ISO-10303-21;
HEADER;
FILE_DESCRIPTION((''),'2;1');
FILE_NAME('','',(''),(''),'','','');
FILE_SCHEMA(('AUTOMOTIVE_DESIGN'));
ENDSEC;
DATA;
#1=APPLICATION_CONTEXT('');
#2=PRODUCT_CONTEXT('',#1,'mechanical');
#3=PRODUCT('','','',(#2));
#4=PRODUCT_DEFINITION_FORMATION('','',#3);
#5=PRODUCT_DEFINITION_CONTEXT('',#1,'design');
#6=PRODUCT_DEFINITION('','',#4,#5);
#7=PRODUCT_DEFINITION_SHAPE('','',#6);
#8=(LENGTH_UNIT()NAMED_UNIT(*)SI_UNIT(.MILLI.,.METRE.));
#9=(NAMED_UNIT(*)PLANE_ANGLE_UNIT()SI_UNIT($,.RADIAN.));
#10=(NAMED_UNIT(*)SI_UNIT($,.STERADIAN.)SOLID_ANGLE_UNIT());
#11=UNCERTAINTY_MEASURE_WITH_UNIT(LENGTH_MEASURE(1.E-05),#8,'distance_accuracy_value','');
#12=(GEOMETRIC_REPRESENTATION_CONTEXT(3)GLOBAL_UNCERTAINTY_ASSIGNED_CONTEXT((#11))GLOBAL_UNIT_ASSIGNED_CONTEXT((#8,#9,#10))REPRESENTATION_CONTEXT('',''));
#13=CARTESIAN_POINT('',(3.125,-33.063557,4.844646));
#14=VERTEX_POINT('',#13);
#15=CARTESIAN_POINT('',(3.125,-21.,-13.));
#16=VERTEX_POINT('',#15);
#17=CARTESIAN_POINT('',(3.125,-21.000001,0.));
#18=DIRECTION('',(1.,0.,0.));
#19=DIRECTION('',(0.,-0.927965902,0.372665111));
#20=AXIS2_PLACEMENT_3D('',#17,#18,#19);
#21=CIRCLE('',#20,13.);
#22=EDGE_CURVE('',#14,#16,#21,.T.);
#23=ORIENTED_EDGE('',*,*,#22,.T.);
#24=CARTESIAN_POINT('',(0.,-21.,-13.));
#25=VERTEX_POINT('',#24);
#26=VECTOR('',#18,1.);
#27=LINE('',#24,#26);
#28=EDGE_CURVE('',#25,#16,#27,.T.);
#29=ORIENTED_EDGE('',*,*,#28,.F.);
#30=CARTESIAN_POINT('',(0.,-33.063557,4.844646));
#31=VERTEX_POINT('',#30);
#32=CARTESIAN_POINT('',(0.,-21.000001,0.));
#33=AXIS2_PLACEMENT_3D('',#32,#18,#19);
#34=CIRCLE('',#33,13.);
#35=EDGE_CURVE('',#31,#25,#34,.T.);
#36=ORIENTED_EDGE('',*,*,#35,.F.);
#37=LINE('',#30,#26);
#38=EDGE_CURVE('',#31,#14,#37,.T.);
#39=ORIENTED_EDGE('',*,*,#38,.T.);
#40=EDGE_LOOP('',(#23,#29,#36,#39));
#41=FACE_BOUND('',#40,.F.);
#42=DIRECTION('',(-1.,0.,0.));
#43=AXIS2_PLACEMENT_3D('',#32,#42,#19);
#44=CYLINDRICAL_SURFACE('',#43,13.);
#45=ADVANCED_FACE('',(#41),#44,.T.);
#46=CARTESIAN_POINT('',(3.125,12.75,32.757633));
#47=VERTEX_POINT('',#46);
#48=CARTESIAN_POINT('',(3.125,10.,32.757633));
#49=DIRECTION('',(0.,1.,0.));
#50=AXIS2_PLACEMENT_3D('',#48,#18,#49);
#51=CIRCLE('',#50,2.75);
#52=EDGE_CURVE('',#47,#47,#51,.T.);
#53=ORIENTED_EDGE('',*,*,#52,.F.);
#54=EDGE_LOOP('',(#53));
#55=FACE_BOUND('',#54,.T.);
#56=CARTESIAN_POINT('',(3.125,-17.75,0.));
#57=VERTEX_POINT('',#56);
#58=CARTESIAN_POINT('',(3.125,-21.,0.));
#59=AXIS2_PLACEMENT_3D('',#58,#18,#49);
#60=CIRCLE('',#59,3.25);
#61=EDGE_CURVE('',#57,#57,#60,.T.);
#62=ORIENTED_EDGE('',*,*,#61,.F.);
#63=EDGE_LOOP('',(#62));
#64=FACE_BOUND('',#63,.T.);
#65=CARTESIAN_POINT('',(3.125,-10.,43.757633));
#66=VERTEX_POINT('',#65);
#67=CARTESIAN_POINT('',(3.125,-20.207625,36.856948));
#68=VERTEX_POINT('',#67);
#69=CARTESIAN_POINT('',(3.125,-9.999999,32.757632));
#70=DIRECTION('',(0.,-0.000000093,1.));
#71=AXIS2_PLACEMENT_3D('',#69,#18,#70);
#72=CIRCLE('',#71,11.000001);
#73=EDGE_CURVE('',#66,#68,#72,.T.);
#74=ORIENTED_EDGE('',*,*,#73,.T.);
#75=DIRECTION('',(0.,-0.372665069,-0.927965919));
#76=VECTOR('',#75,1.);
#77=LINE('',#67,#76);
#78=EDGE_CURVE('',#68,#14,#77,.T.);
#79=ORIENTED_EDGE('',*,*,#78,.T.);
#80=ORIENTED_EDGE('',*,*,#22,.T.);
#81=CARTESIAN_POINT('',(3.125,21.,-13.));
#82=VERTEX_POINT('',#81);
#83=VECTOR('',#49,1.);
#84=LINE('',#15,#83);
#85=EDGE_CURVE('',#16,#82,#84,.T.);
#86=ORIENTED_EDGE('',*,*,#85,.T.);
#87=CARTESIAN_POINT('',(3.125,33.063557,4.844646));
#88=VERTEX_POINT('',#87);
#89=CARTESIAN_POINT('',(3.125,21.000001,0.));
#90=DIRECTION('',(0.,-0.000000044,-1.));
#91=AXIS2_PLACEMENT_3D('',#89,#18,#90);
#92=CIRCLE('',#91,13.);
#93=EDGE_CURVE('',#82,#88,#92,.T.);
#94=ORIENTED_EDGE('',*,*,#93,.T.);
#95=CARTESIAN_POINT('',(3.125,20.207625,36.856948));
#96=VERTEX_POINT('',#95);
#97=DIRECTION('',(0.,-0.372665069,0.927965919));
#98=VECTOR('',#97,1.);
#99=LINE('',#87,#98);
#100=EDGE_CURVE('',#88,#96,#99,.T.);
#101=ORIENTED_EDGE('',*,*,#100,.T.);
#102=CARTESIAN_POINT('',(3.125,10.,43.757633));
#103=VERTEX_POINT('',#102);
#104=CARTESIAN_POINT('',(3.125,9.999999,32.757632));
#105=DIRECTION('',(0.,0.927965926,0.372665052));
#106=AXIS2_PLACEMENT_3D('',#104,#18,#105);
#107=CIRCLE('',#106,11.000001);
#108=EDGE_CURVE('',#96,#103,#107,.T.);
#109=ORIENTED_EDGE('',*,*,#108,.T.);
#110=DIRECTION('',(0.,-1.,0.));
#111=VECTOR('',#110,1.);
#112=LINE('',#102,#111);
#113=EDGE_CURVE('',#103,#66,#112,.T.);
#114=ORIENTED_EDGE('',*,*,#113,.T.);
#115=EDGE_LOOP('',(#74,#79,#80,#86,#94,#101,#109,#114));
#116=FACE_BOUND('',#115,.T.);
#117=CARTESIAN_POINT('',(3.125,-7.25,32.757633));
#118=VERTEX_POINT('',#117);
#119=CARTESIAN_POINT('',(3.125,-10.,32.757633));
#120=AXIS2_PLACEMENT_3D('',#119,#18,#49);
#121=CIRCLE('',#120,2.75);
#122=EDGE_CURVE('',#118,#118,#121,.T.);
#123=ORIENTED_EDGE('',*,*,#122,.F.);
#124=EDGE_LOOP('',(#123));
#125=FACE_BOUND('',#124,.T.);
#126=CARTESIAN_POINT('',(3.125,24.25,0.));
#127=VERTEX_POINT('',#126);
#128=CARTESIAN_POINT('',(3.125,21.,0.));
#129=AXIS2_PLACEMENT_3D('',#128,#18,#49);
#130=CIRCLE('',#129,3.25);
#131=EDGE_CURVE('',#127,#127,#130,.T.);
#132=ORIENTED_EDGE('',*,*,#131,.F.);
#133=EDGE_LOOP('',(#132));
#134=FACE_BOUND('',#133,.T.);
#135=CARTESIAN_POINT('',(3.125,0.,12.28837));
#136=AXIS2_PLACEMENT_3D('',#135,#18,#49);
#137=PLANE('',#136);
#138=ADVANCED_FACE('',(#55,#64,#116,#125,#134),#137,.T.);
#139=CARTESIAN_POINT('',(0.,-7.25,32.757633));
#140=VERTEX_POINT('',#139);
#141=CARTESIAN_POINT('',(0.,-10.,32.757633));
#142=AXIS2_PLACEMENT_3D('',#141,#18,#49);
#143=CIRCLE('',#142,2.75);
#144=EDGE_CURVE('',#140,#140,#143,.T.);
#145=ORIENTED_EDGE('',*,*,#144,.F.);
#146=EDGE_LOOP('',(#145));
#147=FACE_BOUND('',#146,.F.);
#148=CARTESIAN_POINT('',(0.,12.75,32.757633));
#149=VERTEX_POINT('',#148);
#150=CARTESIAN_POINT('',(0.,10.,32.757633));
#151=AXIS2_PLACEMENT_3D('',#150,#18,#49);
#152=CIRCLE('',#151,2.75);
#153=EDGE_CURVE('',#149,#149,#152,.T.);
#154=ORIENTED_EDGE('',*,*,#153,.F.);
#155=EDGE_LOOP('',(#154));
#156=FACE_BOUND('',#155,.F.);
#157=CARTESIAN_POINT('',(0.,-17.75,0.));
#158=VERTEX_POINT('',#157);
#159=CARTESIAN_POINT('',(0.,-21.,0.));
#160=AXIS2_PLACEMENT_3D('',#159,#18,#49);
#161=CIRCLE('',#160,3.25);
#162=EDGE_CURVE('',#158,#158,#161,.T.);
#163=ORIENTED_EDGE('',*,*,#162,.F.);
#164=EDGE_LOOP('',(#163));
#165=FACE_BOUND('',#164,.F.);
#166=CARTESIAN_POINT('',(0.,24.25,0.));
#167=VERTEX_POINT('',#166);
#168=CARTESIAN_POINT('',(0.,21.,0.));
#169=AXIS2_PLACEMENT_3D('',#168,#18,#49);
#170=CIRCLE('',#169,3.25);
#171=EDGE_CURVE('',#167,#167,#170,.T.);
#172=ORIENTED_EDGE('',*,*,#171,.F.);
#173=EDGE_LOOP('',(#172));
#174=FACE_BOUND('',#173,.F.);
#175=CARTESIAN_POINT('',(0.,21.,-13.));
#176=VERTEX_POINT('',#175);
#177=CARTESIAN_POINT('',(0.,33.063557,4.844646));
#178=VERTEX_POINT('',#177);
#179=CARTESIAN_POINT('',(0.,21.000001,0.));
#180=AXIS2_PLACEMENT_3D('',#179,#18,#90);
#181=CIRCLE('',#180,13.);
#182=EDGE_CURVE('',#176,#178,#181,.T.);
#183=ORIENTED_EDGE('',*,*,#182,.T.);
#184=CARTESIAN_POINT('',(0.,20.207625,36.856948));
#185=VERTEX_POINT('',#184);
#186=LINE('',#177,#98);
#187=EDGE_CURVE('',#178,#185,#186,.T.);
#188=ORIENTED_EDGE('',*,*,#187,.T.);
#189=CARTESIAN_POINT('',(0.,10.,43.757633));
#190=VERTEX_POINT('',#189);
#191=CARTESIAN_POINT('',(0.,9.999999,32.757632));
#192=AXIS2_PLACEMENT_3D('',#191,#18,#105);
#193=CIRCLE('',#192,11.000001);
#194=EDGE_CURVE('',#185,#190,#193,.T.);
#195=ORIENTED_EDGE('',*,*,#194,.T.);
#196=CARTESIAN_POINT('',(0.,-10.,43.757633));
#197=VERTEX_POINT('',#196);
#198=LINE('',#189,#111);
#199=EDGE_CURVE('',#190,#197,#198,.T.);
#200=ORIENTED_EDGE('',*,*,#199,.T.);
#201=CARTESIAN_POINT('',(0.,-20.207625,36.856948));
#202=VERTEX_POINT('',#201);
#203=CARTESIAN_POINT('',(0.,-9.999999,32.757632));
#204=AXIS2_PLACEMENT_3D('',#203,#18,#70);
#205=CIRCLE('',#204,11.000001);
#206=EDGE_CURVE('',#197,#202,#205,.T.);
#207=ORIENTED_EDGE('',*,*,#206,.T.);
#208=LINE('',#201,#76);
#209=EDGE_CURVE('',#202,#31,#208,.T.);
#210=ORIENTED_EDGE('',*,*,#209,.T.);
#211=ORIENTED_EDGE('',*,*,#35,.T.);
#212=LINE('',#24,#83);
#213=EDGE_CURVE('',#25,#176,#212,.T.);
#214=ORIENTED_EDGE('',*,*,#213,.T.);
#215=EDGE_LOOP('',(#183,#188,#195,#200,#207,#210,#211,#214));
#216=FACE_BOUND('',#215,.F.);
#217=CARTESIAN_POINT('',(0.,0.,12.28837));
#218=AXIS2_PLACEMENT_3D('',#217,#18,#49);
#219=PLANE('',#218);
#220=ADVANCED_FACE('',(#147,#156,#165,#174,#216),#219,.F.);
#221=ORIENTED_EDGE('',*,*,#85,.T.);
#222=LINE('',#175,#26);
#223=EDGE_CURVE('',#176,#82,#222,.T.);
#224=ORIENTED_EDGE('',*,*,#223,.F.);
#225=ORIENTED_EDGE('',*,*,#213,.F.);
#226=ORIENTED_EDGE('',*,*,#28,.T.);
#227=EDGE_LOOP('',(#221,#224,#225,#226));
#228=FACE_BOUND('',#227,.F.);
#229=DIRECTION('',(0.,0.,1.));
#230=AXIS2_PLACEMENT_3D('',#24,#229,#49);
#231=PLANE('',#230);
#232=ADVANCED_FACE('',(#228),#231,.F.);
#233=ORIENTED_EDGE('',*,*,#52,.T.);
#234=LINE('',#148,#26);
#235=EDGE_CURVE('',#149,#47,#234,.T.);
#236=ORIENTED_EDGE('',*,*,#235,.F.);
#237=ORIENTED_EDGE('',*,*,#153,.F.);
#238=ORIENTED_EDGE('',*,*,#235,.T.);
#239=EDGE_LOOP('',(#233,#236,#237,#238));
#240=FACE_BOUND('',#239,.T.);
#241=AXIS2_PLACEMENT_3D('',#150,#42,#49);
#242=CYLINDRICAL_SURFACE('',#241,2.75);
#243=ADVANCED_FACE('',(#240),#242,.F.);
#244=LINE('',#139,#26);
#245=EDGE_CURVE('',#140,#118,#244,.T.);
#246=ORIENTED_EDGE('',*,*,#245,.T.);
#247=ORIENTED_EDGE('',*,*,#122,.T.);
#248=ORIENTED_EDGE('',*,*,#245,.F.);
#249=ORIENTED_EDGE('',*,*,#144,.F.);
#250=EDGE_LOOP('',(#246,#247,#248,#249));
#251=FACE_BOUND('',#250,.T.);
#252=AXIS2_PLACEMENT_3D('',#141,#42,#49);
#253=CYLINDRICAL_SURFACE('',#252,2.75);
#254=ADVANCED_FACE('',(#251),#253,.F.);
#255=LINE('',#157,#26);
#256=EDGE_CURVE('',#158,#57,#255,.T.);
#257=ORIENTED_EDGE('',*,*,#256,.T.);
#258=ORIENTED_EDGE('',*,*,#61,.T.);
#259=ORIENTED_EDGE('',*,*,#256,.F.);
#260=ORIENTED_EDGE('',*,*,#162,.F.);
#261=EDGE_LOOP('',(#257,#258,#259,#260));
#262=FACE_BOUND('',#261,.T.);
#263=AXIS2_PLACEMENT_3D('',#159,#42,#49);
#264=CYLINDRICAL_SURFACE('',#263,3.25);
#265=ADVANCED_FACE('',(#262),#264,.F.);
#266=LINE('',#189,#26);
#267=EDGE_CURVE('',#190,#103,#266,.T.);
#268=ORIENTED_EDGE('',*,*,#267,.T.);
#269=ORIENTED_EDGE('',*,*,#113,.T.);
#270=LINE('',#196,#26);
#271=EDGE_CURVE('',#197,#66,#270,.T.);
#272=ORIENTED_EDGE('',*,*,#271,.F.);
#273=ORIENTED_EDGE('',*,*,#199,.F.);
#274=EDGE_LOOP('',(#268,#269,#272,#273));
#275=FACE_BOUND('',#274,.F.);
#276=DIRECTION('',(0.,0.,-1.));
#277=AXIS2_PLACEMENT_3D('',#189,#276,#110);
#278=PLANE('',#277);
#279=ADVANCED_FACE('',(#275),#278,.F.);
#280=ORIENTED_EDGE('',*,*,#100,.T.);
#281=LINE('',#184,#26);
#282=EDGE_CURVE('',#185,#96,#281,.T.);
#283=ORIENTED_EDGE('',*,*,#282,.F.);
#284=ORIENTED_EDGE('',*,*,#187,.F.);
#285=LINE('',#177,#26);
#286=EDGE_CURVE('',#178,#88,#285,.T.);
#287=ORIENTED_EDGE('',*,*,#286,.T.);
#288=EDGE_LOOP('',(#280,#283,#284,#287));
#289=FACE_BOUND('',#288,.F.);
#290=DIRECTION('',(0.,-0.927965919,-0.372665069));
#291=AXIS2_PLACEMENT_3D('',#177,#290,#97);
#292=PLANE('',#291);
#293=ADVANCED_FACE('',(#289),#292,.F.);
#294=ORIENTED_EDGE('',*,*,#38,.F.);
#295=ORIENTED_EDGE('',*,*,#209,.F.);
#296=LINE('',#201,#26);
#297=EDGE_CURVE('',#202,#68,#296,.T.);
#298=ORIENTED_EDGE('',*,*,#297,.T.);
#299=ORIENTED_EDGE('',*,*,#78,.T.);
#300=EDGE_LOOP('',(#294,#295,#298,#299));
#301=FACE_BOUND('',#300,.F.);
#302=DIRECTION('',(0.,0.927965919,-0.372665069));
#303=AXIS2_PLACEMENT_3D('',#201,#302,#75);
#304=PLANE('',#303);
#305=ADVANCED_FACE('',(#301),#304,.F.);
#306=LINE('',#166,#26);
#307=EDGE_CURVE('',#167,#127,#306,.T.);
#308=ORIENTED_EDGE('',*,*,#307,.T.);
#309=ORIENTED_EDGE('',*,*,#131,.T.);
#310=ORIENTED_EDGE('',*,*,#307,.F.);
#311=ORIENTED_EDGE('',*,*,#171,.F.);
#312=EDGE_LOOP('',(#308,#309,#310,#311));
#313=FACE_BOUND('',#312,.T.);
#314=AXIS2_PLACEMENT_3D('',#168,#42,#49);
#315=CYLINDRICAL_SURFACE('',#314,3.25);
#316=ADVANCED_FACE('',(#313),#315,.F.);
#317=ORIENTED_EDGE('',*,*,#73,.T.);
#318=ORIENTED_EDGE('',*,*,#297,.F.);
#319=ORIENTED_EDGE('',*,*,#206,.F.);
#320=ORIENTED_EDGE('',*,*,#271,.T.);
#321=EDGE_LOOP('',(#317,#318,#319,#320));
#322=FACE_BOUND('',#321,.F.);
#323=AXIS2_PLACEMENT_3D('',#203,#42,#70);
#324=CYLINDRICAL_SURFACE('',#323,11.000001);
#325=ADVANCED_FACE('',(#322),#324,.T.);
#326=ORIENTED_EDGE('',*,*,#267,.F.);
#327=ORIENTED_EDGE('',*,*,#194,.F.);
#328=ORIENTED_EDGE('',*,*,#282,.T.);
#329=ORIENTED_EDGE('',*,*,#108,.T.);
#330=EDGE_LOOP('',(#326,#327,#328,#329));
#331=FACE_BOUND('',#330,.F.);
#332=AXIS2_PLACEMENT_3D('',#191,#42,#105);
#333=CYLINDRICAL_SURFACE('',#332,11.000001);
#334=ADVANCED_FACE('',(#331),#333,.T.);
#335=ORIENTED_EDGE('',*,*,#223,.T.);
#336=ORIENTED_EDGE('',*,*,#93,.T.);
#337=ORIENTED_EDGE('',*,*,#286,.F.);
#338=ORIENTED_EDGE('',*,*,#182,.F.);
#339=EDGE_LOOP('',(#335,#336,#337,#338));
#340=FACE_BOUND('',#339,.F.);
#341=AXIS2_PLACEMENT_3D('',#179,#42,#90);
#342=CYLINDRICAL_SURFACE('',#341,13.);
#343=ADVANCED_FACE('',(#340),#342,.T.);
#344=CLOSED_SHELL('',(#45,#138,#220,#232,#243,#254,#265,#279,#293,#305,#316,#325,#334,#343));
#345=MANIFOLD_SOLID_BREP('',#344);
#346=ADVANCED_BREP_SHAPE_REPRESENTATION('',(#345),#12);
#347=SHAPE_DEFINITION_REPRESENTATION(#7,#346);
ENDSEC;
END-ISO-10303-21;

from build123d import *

# Parameters (mm, degrees)
F1_R     = 3.25
F1_R_2   = 2.75
F2_DEPTH = 3.125


with BuildPart() as f2:
    # F1 (on Right) → F2 (new body)
    with BuildSketch(Plane.YZ):
        with BuildLine():
            Line((10, 43.757633), (-10, 43.757633))
            ThreePointArc((-10, 43.757633), (-16.160663, 41.870603), (-20.207625, 36.856948))
            Line((-20.207625, 36.856948), (-33.063557, 4.844646))
            ThreePointArc((-33.063557, 4.844646), (-31.769875, -7.280783), (-21, -13))
            Line((-21, -13), (21, -13))
            ThreePointArc((21, -13), (31.769875, -7.280783), (33.063557, 4.844646))
            Line((33.063557, 4.844646), (20.207625, 36.856948))
            ThreePointArc((20.207625, 36.856948), (16.160663, 41.870603), (10, 43.757633))
        make_face()
        with Locations((-21, 0)):
            Circle(F1_R, mode=Mode.SUBTRACT)
        with Locations((21, 0)):
            Circle(F1_R, mode=Mode.SUBTRACT)
        with Locations((-10, 32.757633)):
            Circle(F1_R_2, mode=Mode.SUBTRACT)
        with Locations((10, 32.757633)):
            Circle(F1_R_2, mode=Mode.SUBTRACT)
    extrude(amount=F2_DEPTH)


solid = f2.part
